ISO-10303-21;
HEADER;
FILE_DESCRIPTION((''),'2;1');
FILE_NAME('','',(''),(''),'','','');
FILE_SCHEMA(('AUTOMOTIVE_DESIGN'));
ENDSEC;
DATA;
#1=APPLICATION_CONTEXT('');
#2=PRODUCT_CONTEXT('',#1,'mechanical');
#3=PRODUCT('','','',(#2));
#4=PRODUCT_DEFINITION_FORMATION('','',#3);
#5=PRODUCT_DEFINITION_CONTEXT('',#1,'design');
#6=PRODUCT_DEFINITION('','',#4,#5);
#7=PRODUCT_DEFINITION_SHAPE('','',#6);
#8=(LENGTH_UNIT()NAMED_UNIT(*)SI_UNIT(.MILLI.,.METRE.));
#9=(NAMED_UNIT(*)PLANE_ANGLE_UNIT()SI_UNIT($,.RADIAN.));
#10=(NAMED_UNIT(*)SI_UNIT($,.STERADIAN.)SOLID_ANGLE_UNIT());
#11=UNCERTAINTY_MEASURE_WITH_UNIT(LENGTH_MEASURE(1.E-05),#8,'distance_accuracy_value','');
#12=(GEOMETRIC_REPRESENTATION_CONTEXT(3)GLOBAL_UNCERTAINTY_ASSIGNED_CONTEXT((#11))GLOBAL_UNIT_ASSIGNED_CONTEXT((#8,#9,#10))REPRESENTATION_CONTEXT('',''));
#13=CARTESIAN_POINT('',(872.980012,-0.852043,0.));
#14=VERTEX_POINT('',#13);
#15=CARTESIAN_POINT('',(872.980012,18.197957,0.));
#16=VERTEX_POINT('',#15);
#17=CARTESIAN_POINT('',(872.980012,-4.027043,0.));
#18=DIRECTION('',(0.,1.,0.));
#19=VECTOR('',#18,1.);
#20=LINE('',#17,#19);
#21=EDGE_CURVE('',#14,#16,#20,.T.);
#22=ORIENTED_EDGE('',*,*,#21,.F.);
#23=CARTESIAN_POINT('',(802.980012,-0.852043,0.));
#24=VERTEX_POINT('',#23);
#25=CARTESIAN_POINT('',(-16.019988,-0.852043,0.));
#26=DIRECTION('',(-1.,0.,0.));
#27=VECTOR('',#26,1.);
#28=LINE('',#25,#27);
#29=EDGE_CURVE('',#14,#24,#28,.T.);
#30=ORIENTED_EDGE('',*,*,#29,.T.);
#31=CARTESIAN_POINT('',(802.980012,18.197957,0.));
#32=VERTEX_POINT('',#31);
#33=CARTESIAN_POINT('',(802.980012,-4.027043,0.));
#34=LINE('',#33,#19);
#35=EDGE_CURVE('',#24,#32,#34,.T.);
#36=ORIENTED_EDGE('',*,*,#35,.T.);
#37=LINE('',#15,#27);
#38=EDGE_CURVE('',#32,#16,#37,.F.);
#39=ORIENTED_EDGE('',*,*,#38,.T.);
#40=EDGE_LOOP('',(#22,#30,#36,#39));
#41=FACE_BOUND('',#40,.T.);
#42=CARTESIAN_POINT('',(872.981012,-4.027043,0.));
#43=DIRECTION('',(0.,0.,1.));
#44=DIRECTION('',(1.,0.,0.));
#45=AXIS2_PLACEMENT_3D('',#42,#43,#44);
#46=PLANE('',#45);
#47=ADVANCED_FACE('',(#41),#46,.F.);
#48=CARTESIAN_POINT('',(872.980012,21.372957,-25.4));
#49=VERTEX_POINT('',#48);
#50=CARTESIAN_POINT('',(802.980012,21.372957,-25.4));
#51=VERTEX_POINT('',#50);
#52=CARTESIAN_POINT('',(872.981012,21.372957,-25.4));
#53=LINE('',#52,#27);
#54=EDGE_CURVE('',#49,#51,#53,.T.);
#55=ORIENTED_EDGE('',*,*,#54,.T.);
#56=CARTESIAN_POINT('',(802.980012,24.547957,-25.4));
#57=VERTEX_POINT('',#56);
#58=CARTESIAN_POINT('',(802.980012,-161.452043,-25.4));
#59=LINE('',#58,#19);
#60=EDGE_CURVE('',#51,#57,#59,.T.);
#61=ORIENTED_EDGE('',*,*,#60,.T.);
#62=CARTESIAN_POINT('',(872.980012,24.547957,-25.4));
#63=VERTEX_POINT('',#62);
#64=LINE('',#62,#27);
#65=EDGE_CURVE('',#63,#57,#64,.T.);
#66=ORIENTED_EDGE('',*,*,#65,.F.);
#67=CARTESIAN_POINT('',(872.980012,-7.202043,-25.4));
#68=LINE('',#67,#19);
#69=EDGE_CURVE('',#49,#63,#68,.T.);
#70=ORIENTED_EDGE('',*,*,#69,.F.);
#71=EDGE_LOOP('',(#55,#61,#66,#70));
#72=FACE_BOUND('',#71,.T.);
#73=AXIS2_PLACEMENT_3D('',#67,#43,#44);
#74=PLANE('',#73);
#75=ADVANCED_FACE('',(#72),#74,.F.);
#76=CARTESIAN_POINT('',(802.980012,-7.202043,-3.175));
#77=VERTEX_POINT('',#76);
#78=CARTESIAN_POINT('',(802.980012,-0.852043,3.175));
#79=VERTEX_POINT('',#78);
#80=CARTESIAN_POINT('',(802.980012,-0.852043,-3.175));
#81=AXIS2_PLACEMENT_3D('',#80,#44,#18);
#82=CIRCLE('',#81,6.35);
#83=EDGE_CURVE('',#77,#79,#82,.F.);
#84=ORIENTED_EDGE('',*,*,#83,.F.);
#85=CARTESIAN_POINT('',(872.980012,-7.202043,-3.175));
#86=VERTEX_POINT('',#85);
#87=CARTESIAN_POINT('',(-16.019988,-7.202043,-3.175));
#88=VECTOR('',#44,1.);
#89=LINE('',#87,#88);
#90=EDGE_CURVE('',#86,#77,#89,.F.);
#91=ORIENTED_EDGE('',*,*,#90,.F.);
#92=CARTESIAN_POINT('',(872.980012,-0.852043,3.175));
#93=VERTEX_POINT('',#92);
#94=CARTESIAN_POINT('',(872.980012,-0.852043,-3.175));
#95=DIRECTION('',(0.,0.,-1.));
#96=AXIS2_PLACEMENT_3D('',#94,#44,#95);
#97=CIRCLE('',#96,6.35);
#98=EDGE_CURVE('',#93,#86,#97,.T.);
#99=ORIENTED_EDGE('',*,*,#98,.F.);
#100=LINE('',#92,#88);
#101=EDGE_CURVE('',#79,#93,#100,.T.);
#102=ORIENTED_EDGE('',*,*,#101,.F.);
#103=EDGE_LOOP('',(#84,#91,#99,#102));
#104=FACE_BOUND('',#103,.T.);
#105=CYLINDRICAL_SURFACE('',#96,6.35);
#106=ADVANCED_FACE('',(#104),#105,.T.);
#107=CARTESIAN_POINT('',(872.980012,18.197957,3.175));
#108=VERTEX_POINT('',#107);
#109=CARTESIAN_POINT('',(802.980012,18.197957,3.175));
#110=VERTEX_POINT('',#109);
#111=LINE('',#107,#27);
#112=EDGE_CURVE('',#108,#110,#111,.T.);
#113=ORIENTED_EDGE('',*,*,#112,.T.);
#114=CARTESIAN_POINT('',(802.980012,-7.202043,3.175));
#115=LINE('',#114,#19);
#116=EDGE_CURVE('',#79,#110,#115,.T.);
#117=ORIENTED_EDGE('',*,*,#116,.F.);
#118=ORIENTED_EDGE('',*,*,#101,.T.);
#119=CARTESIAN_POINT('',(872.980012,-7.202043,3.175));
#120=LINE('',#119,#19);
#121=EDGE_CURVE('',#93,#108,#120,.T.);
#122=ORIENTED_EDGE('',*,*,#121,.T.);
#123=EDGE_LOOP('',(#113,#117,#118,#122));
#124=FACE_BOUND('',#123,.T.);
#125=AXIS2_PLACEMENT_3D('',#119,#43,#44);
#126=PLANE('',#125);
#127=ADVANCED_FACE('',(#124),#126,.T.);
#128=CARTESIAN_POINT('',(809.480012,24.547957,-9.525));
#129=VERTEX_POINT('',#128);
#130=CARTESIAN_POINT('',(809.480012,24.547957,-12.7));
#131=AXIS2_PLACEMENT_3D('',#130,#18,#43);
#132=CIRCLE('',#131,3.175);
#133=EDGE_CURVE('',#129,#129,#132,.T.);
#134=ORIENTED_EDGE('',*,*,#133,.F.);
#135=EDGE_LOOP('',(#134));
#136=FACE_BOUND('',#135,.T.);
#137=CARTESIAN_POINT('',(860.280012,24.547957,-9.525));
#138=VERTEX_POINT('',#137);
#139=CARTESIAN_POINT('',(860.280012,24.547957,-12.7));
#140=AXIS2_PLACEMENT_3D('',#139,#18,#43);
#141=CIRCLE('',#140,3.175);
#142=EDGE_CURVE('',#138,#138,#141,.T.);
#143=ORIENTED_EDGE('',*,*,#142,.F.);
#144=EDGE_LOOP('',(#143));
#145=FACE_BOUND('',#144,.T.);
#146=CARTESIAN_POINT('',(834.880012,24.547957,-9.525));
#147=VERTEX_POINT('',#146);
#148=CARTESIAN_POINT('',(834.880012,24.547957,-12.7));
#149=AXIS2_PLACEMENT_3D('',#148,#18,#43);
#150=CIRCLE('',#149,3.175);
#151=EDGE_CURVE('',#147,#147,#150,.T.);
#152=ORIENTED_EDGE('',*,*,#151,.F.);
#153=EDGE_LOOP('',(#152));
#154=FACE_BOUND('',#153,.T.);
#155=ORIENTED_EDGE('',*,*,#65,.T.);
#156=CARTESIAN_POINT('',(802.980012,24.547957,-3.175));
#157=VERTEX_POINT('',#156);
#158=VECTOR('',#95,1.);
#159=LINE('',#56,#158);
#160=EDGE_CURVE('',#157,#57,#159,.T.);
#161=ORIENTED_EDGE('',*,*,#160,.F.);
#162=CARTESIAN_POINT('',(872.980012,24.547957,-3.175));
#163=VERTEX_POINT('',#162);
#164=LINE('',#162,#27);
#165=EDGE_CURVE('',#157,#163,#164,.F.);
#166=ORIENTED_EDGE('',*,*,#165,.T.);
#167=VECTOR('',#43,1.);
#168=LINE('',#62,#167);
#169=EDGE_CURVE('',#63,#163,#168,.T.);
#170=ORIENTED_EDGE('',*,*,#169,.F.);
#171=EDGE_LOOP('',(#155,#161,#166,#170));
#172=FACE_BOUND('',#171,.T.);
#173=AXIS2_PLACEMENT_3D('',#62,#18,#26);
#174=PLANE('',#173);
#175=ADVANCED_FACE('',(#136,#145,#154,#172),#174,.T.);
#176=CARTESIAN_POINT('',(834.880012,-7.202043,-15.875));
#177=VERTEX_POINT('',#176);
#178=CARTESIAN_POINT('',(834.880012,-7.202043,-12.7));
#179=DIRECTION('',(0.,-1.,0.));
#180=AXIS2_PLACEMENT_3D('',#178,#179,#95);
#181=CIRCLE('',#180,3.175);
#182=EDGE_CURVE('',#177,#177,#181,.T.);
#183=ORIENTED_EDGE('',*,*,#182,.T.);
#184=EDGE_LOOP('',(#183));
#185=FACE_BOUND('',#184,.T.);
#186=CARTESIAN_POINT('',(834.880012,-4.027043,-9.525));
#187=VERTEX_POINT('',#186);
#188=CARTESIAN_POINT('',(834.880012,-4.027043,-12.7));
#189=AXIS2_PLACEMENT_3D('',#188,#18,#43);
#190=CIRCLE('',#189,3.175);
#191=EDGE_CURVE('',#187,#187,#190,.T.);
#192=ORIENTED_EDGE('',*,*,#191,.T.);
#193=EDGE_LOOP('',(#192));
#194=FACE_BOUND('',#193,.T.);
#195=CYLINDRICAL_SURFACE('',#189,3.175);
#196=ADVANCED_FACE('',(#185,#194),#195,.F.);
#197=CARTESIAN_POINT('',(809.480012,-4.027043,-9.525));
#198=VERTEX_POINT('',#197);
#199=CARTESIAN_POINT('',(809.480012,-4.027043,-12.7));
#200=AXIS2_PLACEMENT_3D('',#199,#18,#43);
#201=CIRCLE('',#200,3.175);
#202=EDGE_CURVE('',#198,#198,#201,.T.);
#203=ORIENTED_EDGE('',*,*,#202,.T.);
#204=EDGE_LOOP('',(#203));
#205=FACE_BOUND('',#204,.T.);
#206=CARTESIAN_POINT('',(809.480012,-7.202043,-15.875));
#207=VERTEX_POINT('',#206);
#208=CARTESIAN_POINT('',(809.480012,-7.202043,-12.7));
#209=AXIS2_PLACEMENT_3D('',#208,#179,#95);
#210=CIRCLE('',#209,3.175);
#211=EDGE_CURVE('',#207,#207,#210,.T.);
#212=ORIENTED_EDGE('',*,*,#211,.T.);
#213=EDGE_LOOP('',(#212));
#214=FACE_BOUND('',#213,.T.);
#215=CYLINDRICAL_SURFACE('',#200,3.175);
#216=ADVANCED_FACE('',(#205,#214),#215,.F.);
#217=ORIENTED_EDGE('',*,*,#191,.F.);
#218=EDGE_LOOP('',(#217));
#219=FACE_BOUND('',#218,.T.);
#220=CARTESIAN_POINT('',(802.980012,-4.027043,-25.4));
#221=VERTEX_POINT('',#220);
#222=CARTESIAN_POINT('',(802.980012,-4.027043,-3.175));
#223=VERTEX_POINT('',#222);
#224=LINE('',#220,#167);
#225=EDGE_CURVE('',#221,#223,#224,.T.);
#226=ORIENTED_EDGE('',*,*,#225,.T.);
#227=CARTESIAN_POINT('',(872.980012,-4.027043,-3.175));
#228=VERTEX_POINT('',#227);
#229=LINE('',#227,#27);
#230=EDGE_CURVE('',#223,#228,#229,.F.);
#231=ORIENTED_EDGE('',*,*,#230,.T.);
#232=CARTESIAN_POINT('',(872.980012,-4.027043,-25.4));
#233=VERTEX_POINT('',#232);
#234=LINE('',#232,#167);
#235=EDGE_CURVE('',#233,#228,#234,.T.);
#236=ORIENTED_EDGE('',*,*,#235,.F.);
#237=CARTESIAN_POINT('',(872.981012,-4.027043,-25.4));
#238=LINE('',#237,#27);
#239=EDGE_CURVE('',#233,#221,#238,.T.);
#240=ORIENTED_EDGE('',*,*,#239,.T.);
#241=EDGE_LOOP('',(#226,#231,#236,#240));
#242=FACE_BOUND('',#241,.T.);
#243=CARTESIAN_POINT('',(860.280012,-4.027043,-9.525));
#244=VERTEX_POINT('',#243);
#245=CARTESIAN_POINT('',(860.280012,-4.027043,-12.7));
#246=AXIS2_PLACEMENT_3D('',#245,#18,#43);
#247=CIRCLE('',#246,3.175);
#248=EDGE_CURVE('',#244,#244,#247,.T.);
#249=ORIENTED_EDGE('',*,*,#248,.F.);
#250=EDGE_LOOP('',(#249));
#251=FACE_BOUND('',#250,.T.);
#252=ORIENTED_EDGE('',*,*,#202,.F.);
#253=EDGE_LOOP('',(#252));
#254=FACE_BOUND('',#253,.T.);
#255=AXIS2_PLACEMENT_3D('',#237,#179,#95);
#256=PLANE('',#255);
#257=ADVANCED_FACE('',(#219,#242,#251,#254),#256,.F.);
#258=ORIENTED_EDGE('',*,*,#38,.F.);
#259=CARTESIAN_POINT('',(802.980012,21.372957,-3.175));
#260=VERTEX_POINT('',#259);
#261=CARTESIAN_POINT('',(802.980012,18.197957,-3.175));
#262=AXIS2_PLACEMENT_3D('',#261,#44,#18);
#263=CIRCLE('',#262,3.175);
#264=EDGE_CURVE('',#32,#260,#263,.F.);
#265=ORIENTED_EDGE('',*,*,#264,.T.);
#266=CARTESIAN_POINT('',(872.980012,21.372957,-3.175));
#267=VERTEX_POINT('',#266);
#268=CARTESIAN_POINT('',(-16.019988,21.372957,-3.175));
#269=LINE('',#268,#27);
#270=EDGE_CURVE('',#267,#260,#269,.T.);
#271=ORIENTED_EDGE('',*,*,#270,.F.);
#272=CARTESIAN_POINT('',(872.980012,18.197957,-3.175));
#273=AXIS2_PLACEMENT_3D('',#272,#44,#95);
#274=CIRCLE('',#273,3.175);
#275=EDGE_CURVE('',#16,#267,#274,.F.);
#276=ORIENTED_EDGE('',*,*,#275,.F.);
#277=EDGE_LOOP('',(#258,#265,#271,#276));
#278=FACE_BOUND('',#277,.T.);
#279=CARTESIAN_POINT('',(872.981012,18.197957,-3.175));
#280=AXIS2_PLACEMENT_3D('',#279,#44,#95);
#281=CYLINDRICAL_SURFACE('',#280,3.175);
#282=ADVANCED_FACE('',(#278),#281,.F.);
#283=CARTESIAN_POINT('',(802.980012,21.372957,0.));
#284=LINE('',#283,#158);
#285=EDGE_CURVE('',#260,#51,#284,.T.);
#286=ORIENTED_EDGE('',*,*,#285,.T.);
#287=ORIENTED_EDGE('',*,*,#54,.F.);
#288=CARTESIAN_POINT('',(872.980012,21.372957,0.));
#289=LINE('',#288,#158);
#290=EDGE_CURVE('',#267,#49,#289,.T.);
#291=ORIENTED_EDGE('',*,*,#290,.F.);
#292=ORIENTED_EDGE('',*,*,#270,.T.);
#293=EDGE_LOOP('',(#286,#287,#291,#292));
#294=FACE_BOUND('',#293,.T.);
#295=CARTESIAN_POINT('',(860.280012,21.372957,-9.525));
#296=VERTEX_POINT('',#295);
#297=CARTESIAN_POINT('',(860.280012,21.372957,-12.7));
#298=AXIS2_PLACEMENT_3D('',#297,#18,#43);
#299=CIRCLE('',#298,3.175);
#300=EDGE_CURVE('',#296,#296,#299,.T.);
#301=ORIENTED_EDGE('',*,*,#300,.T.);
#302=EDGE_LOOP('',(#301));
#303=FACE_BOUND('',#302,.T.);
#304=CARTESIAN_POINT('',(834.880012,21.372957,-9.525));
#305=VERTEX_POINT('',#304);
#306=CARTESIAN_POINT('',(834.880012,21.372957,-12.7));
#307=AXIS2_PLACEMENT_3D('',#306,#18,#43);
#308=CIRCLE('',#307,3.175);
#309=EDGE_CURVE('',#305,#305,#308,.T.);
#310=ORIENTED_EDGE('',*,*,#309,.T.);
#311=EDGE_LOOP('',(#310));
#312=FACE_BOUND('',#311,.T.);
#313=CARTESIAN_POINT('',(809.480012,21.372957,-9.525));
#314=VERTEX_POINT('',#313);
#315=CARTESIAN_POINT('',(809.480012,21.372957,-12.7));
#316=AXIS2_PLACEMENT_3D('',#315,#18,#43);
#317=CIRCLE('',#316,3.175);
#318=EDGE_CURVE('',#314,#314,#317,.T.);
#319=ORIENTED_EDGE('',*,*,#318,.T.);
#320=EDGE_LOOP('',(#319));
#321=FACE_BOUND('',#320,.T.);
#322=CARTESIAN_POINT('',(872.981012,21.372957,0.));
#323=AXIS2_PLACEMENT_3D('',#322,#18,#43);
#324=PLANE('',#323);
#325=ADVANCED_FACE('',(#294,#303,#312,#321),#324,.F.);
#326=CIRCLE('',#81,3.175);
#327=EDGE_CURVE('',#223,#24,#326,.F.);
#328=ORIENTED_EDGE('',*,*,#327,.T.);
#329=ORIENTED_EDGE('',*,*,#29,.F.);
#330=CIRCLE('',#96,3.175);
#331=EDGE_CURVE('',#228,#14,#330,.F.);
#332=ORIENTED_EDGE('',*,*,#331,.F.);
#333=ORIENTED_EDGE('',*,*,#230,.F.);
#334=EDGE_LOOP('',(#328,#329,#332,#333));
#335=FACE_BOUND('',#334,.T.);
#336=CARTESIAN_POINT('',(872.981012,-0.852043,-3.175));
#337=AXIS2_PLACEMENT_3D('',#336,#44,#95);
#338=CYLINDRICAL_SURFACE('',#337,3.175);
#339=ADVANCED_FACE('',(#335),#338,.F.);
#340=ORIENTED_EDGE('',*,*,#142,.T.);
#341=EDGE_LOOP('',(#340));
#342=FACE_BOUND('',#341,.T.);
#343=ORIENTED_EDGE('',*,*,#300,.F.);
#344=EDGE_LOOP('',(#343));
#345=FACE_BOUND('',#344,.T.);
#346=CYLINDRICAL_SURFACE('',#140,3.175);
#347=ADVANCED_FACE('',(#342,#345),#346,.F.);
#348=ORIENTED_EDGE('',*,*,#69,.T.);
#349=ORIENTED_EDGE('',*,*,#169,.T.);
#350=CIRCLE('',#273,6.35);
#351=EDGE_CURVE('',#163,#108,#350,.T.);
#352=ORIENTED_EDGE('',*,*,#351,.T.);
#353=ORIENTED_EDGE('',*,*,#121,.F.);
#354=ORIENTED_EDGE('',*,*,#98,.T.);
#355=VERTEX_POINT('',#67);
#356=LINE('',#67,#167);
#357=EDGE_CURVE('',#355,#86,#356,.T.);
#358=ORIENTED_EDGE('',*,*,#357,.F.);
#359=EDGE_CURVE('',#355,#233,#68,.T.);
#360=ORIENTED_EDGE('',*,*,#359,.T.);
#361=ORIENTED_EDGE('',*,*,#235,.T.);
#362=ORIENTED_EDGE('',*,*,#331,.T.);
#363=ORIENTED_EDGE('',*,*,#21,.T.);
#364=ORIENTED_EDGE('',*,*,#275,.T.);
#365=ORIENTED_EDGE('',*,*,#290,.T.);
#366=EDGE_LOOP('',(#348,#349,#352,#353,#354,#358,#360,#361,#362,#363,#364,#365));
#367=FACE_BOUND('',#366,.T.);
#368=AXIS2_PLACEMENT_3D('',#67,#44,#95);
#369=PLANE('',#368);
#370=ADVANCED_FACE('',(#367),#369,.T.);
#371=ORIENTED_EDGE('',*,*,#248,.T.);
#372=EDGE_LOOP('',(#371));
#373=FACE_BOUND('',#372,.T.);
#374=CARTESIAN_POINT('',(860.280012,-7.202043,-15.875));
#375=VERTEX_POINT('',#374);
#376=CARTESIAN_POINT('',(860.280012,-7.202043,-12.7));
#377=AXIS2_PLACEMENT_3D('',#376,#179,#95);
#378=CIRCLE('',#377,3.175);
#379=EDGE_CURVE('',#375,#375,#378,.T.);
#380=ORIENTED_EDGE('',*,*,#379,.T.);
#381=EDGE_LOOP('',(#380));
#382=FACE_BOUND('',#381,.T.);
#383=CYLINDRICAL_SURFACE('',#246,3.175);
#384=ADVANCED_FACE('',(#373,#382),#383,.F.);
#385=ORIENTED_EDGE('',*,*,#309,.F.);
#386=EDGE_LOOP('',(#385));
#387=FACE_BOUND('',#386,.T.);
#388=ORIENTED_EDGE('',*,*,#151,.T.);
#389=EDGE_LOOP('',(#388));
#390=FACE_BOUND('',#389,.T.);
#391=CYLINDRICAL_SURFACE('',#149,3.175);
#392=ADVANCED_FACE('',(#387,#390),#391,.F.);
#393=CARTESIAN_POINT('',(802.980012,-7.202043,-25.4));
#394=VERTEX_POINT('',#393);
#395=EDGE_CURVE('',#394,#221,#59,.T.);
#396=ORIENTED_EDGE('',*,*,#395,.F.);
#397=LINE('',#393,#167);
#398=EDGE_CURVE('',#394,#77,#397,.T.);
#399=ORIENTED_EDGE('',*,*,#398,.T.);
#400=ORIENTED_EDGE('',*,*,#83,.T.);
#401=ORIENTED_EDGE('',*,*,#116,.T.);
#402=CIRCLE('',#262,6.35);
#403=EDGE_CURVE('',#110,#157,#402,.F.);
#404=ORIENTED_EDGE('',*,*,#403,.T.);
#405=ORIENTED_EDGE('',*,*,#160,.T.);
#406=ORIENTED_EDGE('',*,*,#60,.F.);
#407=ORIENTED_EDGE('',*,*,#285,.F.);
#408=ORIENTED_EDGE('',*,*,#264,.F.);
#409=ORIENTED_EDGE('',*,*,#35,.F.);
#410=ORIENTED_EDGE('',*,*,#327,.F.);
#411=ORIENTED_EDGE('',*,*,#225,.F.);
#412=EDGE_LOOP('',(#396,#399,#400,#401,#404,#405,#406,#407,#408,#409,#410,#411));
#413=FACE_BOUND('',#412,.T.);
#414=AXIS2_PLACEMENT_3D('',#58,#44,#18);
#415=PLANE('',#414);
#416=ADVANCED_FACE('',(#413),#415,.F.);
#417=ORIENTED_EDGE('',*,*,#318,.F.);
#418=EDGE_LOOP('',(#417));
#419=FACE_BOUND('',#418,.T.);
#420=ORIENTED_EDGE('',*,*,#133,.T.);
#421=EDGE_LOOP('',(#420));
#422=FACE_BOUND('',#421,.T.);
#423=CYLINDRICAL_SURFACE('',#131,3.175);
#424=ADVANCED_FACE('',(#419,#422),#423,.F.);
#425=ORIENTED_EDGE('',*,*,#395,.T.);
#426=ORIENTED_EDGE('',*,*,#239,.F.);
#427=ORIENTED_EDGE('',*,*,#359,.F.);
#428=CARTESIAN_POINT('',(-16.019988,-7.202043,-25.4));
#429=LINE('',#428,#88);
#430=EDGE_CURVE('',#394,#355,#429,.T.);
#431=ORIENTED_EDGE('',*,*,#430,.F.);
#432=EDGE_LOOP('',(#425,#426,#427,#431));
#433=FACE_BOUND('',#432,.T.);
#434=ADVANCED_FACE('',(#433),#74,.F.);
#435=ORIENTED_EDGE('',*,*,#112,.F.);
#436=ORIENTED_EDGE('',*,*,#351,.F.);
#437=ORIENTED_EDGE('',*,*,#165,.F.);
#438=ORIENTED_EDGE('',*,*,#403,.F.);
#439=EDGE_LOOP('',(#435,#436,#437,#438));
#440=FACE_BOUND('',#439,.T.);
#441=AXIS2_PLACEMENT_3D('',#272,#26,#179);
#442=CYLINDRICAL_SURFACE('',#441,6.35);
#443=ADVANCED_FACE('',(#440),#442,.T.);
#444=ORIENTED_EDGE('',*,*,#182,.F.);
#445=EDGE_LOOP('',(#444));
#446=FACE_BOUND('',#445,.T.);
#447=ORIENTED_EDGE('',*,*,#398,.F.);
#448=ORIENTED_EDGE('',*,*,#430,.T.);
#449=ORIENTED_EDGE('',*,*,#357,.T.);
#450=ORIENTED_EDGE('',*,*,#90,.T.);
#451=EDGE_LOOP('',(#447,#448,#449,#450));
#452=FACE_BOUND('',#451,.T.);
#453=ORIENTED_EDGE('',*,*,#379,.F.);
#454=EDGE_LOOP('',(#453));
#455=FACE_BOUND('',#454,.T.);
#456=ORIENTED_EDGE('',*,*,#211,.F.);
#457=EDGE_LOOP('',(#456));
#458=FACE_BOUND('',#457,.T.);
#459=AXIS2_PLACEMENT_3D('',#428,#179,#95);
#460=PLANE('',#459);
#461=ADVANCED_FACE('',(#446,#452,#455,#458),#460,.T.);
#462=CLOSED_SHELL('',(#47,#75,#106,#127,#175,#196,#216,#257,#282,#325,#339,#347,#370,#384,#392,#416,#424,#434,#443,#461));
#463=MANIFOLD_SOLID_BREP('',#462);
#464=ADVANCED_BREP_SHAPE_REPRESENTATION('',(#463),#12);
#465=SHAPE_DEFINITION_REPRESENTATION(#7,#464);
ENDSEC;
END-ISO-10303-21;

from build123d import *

# Parameters (mm, degrees)
SKETCH1_W          = 889
SKETCH1_H          = 31.75
EXTRUDE1_DEPTH     = 28.575
EXTRUDE2_REACH     = 891.702
SKETCH2_W          = 25.4
SKETCH2_H          = 25.4
HOLE1_D            = 6.35
HOLE1_DEPTH        = 3.175
LPATTERN1_COUNT    = 35
LPATTERN1_PITCH    = 25.4
HOLE2_D            = 9.652
LPATTERN2_COUNT    = 12
LPATTERN2_PITCH    = 25.4
HOLE3_D            = 9.652
HOLE4_D            = 9.652
LPATTERN3_COUNT    = 12
LPATTERN3_PITCH    = 25.4
HOLE5_D            = 3.175
HOLE6_D            = 6.35
LPATTERN4_COUNT    = 35
LPATTERN4_PITCH    = 25.4
FILLET1_R          = 3.175
FILLET2_R          = 3.175
FILLET3_R          = 6.35
FILLET4_R          = 6.35
SKETCH16_W         = 145.760071232
SKETCH16_H         = 71.504803879
CUT_EXTRUDE2_DEPTH = 75
SKETCH17_W         = 473.628565651
SKETCH17_H         = 66.908943447
CUT_EXTRUDE3_DEPTH = 186
SKETCH18_W         = 373.094897193
SKETCH18_H         = 93.915816603
CUT_EXTRUDE4_DEPTH = 186


with BuildPart() as part:
    # Sketch1 → Extrude1 (new body)
    with BuildSketch(Plane.XY.offset(3.175)):
        with Locations((428.480011997, 8.672957166)):
            Rectangle(SKETCH1_W, SKETCH1_H)
    extrude(amount=-EXTRUDE1_DEPTH)

    # Sketch2 → Extrude2 (cut, up to next)
    with BuildSketch(Plane.ZY.offset(16.019988003), mode=Mode.PRIVATE) as extrude2_sk1:
        with Locations((-12.7, 8.672957166)):
            Rectangle(SKETCH2_W, SKETCH2_H)
    extrude2_tool1 = extrude(extrude2_sk1.sketch, amount=-EXTRUDE2_REACH, mode=Mode.PRIVATE) & part.part
    add(extrude2_tool1.solids().sort_by_distance((-16.019988, 8.672957, -12.7))[0], mode=Mode.SUBTRACT)

    # Hole1
    with Locations(Plane(origin=(0, 24.547957166, 0), x_dir=(-1, 0, 0), z_dir=(0, 1, 0))):
        with Locations((3.319988003, -12.7)):
            hole1 = Hole(HOLE1_D / 2, depth=HOLE1_DEPTH)

    # LPattern1: Hole1 ×35
    with Locations(*[(i * LPATTERN1_PITCH, 0, 0) for i in range(1, LPATTERN1_COUNT)]):
        add(hole1, mode=Mode.SUBTRACT)

    # Hole2 (through all)
    with Locations(Plane.XY.offset(3.175)):
        with Locations((66.530011997, 10.577957166)):
            hole2 = Hole(HOLE2_D / 2)

    # LPattern2: Hole2 ×12, 8 skipped
    with Locations(*[(i * LPATTERN2_PITCH, 0, 0) for i in range(1, LPATTERN2_COUNT) if i not in (2, 3, 4, 5, 6, 7, 8, 9)]):
        add(hole2, mode=Mode.SUBTRACT)

    # Hole3 (through all)
    with Locations(Plane.XY.offset(3.175)):
        with Locations((428.480011997, 6.767957166)):
            Hole(HOLE3_D / 2)

    # Hole4 (through all)
    with Locations(Plane.XY.offset(3.175)):
        with Locations((511.030011997, 10.577957166)):
            hole4 = Hole(HOLE4_D / 2)

    # LPattern3: Hole4 ×12, 8 skipped
    with Locations(*[(i * LPATTERN3_PITCH, 0, 0) for i in range(1, LPATTERN3_COUNT) if i not in (2, 3, 4, 5, 6, 7, 8, 9)]):
        add(hole4, mode=Mode.SUBTRACT)

    # Hole5 (through all)
    with Locations(Plane.XY.offset(3.175)):
        with Locations((669.780011997, 8.672957166)):
            Hole(HOLE5_D / 2)

    # Hole6 (through all)
    with Locations(Plane(origin=(0, -4.027042834, 0), x_dir=(-1, 0, 0), z_dir=(0, 1, 0))):
        with Locations((3.319988003, -12.7)):
            hole6 = Hole(HOLE6_D / 2)

    # LPattern4: Hole6 ×35
    with Locations(*[(i * LPATTERN4_PITCH, 0, 0) for i in range(1, LPATTERN4_COUNT)]):
        add(hole6, mode=Mode.SUBTRACT)

    # Fillet1
    fillet1_edges = [part.edges().sort_by_distance(p)[0] for p in [
        (428.480011997, 21.372957166, 0),
    ]]
    fillet(fillet1_edges, radius=FILLET1_R)

    # Fillet2
    fillet2_edges = [part.edges().sort_by_distance(p)[0] for p in [
        (428.480011997, -4.027042834, 0),
    ]]
    fillet(fillet2_edges, radius=FILLET2_R)

    # Fillet3
    fillet3_edges = [part.edges().sort_by_distance(p)[0] for p in [
        (428.480011997, -7.202042834, 3.175),
    ]]
    fillet(fillet3_edges, radius=FILLET3_R)

    # Fillet4
    fillet4_edges = [part.edges().sort_by_distance(p)[0] for p in [
        (428.480011997, 24.547957166, 3.175),
    ]]
    fillet(fillet4_edges, radius=FILLET4_R)

    # Sketch16 → Cut-Extrude2 (cut)
    with BuildSketch(Plane(origin=(0, 24.547957166, 0), x_dir=(1, 0, 0), z_dir=(0, 1, 0))):
        with Locations((40.099976381, -10.352401939)):
            Rectangle(SKETCH16_W, SKETCH16_H)
    extrude(amount=-CUT_EXTRUDE2_DEPTH, mode=Mode.SUBTRACT)

    # Sketch17 → Cut-Extrude3 (cut)
    with BuildSketch(Plane(origin=(0, 24.547957166, 0), x_dir=(1, 0, 0), z_dir=(0, 1, 0))):
        with Locations((288.165729172, -8.054471723)):
            Rectangle(SKETCH17_W, SKETCH17_H)
    extrude(amount=-CUT_EXTRUDE3_DEPTH, mode=Mode.SUBTRACT)

    # Sketch18 → Cut-Extrude4 (cut)
    with BuildSketch(Plane(origin=(0, 24.547957166, 0), x_dir=(1, 0, 0), z_dir=(0, 1, 0))):
        with Locations((616.432563401, -21.557908301)):
            Rectangle(SKETCH18_W, SKETCH18_H)
    extrude(amount=-CUT_EXTRUDE4_DEPTH, mode=Mode.SUBTRACT)


solid = part.part
